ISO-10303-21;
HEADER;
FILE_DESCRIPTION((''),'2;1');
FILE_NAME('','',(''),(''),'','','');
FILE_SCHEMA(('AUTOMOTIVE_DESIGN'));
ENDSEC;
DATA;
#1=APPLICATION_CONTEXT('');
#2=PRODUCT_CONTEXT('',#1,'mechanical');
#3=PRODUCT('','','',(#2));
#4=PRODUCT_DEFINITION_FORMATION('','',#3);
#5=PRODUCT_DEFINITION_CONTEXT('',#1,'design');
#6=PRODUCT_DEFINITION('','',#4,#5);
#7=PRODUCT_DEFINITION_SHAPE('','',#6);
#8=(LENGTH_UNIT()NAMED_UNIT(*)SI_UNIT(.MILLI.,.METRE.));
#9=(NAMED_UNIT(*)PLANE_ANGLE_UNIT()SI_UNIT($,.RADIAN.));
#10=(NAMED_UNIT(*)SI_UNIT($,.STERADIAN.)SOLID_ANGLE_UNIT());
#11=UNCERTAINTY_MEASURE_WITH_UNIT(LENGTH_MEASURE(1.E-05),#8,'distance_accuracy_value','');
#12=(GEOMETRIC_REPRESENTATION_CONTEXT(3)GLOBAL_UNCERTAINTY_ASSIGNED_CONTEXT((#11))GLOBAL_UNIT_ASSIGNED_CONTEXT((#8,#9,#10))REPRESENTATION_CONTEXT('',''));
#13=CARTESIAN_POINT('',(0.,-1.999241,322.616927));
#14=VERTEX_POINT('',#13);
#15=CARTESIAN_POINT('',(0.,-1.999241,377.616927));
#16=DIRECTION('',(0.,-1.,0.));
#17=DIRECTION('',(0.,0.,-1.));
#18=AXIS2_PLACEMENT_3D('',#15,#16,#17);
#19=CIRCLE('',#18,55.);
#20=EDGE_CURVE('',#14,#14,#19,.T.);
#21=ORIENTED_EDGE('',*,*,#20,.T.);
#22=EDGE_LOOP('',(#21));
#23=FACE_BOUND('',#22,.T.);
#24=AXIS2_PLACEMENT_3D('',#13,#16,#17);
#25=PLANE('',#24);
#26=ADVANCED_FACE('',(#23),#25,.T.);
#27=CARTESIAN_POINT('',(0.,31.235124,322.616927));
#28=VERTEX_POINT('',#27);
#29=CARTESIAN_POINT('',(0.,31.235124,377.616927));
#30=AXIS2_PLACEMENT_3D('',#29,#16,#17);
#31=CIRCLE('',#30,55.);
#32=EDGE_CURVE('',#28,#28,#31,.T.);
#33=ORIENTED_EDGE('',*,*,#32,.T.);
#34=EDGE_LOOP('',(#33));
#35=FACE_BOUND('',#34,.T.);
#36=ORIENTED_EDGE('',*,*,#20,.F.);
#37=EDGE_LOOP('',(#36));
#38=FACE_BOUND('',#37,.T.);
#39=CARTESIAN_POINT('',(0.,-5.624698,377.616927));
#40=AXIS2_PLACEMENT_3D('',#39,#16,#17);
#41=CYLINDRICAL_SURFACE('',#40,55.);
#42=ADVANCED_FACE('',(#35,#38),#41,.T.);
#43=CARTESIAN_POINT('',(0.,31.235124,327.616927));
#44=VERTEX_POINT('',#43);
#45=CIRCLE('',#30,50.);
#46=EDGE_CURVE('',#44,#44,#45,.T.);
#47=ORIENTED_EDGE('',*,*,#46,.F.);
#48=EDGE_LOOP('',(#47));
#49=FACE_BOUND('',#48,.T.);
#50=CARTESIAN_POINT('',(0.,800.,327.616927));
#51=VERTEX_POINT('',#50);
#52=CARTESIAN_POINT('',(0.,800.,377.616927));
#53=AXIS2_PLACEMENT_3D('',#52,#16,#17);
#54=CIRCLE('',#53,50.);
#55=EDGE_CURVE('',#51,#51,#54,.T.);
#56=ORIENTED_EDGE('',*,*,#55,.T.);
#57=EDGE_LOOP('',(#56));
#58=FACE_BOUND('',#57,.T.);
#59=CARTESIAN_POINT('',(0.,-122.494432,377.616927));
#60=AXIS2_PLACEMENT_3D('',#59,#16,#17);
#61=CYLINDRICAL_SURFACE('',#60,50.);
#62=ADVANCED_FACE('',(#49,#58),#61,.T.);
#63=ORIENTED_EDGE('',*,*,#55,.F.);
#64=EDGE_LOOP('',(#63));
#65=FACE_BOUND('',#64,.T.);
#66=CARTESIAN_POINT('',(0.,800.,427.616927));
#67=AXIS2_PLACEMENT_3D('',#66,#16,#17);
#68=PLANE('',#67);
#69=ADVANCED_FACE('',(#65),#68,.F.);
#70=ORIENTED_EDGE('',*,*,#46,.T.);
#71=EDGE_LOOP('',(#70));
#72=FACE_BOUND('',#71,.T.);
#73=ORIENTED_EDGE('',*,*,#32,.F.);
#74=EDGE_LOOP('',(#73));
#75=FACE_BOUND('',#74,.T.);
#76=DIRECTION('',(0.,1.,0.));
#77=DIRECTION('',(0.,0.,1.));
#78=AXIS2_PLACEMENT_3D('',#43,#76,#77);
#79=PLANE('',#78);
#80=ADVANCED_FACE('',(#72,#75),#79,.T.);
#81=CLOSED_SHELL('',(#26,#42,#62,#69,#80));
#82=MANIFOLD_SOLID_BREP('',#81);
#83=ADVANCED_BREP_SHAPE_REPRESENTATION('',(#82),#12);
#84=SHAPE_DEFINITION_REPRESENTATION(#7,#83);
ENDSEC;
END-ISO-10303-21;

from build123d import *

# Parameters (mm, degrees)
CROQUIS2_W = 50
CROQUIS2_H = 800


with BuildPart() as part:
    # Croquis2 → Revolución1 (revolve)
    with BuildSketch(Plane(origin=(0, 0, 0), x_dir=(0, 0, -1), z_dir=(1, 0, 0)), mode=Mode.PRIVATE) as revoluci_n1_sk:
        with Locations((-402.616926503, 400)):
            Rectangle(CROQUIS2_W, CROQUIS2_H)
    revolve(revoluci_n1_sk.sketch.rotate(Axis((0, -122.494432071, 377.616926503), (0, 1, 0)), 180), axis=Axis((0, -122.494432071, 377.616926503), (0, 1, 0)))

    # Croquis3 → Revolución2 (revolve)
    with BuildSketch(Plane(origin=(0, 0, 0), x_dir=(0, 0, -1), z_dir=(1, 0, 0))):
        Polygon((-327.616926503, 31.235124472), (-322.616926503, 31.235124472), (-322.616926503, -1.999240636), (-377.616926503, -1.999240636), (-377.616926503, 0), (-327.616926503, 0), align=None)
    revolve(axis=Axis((0, -5.624697561, 377.616926503), (0, 1, 0)))


solid = part.part
